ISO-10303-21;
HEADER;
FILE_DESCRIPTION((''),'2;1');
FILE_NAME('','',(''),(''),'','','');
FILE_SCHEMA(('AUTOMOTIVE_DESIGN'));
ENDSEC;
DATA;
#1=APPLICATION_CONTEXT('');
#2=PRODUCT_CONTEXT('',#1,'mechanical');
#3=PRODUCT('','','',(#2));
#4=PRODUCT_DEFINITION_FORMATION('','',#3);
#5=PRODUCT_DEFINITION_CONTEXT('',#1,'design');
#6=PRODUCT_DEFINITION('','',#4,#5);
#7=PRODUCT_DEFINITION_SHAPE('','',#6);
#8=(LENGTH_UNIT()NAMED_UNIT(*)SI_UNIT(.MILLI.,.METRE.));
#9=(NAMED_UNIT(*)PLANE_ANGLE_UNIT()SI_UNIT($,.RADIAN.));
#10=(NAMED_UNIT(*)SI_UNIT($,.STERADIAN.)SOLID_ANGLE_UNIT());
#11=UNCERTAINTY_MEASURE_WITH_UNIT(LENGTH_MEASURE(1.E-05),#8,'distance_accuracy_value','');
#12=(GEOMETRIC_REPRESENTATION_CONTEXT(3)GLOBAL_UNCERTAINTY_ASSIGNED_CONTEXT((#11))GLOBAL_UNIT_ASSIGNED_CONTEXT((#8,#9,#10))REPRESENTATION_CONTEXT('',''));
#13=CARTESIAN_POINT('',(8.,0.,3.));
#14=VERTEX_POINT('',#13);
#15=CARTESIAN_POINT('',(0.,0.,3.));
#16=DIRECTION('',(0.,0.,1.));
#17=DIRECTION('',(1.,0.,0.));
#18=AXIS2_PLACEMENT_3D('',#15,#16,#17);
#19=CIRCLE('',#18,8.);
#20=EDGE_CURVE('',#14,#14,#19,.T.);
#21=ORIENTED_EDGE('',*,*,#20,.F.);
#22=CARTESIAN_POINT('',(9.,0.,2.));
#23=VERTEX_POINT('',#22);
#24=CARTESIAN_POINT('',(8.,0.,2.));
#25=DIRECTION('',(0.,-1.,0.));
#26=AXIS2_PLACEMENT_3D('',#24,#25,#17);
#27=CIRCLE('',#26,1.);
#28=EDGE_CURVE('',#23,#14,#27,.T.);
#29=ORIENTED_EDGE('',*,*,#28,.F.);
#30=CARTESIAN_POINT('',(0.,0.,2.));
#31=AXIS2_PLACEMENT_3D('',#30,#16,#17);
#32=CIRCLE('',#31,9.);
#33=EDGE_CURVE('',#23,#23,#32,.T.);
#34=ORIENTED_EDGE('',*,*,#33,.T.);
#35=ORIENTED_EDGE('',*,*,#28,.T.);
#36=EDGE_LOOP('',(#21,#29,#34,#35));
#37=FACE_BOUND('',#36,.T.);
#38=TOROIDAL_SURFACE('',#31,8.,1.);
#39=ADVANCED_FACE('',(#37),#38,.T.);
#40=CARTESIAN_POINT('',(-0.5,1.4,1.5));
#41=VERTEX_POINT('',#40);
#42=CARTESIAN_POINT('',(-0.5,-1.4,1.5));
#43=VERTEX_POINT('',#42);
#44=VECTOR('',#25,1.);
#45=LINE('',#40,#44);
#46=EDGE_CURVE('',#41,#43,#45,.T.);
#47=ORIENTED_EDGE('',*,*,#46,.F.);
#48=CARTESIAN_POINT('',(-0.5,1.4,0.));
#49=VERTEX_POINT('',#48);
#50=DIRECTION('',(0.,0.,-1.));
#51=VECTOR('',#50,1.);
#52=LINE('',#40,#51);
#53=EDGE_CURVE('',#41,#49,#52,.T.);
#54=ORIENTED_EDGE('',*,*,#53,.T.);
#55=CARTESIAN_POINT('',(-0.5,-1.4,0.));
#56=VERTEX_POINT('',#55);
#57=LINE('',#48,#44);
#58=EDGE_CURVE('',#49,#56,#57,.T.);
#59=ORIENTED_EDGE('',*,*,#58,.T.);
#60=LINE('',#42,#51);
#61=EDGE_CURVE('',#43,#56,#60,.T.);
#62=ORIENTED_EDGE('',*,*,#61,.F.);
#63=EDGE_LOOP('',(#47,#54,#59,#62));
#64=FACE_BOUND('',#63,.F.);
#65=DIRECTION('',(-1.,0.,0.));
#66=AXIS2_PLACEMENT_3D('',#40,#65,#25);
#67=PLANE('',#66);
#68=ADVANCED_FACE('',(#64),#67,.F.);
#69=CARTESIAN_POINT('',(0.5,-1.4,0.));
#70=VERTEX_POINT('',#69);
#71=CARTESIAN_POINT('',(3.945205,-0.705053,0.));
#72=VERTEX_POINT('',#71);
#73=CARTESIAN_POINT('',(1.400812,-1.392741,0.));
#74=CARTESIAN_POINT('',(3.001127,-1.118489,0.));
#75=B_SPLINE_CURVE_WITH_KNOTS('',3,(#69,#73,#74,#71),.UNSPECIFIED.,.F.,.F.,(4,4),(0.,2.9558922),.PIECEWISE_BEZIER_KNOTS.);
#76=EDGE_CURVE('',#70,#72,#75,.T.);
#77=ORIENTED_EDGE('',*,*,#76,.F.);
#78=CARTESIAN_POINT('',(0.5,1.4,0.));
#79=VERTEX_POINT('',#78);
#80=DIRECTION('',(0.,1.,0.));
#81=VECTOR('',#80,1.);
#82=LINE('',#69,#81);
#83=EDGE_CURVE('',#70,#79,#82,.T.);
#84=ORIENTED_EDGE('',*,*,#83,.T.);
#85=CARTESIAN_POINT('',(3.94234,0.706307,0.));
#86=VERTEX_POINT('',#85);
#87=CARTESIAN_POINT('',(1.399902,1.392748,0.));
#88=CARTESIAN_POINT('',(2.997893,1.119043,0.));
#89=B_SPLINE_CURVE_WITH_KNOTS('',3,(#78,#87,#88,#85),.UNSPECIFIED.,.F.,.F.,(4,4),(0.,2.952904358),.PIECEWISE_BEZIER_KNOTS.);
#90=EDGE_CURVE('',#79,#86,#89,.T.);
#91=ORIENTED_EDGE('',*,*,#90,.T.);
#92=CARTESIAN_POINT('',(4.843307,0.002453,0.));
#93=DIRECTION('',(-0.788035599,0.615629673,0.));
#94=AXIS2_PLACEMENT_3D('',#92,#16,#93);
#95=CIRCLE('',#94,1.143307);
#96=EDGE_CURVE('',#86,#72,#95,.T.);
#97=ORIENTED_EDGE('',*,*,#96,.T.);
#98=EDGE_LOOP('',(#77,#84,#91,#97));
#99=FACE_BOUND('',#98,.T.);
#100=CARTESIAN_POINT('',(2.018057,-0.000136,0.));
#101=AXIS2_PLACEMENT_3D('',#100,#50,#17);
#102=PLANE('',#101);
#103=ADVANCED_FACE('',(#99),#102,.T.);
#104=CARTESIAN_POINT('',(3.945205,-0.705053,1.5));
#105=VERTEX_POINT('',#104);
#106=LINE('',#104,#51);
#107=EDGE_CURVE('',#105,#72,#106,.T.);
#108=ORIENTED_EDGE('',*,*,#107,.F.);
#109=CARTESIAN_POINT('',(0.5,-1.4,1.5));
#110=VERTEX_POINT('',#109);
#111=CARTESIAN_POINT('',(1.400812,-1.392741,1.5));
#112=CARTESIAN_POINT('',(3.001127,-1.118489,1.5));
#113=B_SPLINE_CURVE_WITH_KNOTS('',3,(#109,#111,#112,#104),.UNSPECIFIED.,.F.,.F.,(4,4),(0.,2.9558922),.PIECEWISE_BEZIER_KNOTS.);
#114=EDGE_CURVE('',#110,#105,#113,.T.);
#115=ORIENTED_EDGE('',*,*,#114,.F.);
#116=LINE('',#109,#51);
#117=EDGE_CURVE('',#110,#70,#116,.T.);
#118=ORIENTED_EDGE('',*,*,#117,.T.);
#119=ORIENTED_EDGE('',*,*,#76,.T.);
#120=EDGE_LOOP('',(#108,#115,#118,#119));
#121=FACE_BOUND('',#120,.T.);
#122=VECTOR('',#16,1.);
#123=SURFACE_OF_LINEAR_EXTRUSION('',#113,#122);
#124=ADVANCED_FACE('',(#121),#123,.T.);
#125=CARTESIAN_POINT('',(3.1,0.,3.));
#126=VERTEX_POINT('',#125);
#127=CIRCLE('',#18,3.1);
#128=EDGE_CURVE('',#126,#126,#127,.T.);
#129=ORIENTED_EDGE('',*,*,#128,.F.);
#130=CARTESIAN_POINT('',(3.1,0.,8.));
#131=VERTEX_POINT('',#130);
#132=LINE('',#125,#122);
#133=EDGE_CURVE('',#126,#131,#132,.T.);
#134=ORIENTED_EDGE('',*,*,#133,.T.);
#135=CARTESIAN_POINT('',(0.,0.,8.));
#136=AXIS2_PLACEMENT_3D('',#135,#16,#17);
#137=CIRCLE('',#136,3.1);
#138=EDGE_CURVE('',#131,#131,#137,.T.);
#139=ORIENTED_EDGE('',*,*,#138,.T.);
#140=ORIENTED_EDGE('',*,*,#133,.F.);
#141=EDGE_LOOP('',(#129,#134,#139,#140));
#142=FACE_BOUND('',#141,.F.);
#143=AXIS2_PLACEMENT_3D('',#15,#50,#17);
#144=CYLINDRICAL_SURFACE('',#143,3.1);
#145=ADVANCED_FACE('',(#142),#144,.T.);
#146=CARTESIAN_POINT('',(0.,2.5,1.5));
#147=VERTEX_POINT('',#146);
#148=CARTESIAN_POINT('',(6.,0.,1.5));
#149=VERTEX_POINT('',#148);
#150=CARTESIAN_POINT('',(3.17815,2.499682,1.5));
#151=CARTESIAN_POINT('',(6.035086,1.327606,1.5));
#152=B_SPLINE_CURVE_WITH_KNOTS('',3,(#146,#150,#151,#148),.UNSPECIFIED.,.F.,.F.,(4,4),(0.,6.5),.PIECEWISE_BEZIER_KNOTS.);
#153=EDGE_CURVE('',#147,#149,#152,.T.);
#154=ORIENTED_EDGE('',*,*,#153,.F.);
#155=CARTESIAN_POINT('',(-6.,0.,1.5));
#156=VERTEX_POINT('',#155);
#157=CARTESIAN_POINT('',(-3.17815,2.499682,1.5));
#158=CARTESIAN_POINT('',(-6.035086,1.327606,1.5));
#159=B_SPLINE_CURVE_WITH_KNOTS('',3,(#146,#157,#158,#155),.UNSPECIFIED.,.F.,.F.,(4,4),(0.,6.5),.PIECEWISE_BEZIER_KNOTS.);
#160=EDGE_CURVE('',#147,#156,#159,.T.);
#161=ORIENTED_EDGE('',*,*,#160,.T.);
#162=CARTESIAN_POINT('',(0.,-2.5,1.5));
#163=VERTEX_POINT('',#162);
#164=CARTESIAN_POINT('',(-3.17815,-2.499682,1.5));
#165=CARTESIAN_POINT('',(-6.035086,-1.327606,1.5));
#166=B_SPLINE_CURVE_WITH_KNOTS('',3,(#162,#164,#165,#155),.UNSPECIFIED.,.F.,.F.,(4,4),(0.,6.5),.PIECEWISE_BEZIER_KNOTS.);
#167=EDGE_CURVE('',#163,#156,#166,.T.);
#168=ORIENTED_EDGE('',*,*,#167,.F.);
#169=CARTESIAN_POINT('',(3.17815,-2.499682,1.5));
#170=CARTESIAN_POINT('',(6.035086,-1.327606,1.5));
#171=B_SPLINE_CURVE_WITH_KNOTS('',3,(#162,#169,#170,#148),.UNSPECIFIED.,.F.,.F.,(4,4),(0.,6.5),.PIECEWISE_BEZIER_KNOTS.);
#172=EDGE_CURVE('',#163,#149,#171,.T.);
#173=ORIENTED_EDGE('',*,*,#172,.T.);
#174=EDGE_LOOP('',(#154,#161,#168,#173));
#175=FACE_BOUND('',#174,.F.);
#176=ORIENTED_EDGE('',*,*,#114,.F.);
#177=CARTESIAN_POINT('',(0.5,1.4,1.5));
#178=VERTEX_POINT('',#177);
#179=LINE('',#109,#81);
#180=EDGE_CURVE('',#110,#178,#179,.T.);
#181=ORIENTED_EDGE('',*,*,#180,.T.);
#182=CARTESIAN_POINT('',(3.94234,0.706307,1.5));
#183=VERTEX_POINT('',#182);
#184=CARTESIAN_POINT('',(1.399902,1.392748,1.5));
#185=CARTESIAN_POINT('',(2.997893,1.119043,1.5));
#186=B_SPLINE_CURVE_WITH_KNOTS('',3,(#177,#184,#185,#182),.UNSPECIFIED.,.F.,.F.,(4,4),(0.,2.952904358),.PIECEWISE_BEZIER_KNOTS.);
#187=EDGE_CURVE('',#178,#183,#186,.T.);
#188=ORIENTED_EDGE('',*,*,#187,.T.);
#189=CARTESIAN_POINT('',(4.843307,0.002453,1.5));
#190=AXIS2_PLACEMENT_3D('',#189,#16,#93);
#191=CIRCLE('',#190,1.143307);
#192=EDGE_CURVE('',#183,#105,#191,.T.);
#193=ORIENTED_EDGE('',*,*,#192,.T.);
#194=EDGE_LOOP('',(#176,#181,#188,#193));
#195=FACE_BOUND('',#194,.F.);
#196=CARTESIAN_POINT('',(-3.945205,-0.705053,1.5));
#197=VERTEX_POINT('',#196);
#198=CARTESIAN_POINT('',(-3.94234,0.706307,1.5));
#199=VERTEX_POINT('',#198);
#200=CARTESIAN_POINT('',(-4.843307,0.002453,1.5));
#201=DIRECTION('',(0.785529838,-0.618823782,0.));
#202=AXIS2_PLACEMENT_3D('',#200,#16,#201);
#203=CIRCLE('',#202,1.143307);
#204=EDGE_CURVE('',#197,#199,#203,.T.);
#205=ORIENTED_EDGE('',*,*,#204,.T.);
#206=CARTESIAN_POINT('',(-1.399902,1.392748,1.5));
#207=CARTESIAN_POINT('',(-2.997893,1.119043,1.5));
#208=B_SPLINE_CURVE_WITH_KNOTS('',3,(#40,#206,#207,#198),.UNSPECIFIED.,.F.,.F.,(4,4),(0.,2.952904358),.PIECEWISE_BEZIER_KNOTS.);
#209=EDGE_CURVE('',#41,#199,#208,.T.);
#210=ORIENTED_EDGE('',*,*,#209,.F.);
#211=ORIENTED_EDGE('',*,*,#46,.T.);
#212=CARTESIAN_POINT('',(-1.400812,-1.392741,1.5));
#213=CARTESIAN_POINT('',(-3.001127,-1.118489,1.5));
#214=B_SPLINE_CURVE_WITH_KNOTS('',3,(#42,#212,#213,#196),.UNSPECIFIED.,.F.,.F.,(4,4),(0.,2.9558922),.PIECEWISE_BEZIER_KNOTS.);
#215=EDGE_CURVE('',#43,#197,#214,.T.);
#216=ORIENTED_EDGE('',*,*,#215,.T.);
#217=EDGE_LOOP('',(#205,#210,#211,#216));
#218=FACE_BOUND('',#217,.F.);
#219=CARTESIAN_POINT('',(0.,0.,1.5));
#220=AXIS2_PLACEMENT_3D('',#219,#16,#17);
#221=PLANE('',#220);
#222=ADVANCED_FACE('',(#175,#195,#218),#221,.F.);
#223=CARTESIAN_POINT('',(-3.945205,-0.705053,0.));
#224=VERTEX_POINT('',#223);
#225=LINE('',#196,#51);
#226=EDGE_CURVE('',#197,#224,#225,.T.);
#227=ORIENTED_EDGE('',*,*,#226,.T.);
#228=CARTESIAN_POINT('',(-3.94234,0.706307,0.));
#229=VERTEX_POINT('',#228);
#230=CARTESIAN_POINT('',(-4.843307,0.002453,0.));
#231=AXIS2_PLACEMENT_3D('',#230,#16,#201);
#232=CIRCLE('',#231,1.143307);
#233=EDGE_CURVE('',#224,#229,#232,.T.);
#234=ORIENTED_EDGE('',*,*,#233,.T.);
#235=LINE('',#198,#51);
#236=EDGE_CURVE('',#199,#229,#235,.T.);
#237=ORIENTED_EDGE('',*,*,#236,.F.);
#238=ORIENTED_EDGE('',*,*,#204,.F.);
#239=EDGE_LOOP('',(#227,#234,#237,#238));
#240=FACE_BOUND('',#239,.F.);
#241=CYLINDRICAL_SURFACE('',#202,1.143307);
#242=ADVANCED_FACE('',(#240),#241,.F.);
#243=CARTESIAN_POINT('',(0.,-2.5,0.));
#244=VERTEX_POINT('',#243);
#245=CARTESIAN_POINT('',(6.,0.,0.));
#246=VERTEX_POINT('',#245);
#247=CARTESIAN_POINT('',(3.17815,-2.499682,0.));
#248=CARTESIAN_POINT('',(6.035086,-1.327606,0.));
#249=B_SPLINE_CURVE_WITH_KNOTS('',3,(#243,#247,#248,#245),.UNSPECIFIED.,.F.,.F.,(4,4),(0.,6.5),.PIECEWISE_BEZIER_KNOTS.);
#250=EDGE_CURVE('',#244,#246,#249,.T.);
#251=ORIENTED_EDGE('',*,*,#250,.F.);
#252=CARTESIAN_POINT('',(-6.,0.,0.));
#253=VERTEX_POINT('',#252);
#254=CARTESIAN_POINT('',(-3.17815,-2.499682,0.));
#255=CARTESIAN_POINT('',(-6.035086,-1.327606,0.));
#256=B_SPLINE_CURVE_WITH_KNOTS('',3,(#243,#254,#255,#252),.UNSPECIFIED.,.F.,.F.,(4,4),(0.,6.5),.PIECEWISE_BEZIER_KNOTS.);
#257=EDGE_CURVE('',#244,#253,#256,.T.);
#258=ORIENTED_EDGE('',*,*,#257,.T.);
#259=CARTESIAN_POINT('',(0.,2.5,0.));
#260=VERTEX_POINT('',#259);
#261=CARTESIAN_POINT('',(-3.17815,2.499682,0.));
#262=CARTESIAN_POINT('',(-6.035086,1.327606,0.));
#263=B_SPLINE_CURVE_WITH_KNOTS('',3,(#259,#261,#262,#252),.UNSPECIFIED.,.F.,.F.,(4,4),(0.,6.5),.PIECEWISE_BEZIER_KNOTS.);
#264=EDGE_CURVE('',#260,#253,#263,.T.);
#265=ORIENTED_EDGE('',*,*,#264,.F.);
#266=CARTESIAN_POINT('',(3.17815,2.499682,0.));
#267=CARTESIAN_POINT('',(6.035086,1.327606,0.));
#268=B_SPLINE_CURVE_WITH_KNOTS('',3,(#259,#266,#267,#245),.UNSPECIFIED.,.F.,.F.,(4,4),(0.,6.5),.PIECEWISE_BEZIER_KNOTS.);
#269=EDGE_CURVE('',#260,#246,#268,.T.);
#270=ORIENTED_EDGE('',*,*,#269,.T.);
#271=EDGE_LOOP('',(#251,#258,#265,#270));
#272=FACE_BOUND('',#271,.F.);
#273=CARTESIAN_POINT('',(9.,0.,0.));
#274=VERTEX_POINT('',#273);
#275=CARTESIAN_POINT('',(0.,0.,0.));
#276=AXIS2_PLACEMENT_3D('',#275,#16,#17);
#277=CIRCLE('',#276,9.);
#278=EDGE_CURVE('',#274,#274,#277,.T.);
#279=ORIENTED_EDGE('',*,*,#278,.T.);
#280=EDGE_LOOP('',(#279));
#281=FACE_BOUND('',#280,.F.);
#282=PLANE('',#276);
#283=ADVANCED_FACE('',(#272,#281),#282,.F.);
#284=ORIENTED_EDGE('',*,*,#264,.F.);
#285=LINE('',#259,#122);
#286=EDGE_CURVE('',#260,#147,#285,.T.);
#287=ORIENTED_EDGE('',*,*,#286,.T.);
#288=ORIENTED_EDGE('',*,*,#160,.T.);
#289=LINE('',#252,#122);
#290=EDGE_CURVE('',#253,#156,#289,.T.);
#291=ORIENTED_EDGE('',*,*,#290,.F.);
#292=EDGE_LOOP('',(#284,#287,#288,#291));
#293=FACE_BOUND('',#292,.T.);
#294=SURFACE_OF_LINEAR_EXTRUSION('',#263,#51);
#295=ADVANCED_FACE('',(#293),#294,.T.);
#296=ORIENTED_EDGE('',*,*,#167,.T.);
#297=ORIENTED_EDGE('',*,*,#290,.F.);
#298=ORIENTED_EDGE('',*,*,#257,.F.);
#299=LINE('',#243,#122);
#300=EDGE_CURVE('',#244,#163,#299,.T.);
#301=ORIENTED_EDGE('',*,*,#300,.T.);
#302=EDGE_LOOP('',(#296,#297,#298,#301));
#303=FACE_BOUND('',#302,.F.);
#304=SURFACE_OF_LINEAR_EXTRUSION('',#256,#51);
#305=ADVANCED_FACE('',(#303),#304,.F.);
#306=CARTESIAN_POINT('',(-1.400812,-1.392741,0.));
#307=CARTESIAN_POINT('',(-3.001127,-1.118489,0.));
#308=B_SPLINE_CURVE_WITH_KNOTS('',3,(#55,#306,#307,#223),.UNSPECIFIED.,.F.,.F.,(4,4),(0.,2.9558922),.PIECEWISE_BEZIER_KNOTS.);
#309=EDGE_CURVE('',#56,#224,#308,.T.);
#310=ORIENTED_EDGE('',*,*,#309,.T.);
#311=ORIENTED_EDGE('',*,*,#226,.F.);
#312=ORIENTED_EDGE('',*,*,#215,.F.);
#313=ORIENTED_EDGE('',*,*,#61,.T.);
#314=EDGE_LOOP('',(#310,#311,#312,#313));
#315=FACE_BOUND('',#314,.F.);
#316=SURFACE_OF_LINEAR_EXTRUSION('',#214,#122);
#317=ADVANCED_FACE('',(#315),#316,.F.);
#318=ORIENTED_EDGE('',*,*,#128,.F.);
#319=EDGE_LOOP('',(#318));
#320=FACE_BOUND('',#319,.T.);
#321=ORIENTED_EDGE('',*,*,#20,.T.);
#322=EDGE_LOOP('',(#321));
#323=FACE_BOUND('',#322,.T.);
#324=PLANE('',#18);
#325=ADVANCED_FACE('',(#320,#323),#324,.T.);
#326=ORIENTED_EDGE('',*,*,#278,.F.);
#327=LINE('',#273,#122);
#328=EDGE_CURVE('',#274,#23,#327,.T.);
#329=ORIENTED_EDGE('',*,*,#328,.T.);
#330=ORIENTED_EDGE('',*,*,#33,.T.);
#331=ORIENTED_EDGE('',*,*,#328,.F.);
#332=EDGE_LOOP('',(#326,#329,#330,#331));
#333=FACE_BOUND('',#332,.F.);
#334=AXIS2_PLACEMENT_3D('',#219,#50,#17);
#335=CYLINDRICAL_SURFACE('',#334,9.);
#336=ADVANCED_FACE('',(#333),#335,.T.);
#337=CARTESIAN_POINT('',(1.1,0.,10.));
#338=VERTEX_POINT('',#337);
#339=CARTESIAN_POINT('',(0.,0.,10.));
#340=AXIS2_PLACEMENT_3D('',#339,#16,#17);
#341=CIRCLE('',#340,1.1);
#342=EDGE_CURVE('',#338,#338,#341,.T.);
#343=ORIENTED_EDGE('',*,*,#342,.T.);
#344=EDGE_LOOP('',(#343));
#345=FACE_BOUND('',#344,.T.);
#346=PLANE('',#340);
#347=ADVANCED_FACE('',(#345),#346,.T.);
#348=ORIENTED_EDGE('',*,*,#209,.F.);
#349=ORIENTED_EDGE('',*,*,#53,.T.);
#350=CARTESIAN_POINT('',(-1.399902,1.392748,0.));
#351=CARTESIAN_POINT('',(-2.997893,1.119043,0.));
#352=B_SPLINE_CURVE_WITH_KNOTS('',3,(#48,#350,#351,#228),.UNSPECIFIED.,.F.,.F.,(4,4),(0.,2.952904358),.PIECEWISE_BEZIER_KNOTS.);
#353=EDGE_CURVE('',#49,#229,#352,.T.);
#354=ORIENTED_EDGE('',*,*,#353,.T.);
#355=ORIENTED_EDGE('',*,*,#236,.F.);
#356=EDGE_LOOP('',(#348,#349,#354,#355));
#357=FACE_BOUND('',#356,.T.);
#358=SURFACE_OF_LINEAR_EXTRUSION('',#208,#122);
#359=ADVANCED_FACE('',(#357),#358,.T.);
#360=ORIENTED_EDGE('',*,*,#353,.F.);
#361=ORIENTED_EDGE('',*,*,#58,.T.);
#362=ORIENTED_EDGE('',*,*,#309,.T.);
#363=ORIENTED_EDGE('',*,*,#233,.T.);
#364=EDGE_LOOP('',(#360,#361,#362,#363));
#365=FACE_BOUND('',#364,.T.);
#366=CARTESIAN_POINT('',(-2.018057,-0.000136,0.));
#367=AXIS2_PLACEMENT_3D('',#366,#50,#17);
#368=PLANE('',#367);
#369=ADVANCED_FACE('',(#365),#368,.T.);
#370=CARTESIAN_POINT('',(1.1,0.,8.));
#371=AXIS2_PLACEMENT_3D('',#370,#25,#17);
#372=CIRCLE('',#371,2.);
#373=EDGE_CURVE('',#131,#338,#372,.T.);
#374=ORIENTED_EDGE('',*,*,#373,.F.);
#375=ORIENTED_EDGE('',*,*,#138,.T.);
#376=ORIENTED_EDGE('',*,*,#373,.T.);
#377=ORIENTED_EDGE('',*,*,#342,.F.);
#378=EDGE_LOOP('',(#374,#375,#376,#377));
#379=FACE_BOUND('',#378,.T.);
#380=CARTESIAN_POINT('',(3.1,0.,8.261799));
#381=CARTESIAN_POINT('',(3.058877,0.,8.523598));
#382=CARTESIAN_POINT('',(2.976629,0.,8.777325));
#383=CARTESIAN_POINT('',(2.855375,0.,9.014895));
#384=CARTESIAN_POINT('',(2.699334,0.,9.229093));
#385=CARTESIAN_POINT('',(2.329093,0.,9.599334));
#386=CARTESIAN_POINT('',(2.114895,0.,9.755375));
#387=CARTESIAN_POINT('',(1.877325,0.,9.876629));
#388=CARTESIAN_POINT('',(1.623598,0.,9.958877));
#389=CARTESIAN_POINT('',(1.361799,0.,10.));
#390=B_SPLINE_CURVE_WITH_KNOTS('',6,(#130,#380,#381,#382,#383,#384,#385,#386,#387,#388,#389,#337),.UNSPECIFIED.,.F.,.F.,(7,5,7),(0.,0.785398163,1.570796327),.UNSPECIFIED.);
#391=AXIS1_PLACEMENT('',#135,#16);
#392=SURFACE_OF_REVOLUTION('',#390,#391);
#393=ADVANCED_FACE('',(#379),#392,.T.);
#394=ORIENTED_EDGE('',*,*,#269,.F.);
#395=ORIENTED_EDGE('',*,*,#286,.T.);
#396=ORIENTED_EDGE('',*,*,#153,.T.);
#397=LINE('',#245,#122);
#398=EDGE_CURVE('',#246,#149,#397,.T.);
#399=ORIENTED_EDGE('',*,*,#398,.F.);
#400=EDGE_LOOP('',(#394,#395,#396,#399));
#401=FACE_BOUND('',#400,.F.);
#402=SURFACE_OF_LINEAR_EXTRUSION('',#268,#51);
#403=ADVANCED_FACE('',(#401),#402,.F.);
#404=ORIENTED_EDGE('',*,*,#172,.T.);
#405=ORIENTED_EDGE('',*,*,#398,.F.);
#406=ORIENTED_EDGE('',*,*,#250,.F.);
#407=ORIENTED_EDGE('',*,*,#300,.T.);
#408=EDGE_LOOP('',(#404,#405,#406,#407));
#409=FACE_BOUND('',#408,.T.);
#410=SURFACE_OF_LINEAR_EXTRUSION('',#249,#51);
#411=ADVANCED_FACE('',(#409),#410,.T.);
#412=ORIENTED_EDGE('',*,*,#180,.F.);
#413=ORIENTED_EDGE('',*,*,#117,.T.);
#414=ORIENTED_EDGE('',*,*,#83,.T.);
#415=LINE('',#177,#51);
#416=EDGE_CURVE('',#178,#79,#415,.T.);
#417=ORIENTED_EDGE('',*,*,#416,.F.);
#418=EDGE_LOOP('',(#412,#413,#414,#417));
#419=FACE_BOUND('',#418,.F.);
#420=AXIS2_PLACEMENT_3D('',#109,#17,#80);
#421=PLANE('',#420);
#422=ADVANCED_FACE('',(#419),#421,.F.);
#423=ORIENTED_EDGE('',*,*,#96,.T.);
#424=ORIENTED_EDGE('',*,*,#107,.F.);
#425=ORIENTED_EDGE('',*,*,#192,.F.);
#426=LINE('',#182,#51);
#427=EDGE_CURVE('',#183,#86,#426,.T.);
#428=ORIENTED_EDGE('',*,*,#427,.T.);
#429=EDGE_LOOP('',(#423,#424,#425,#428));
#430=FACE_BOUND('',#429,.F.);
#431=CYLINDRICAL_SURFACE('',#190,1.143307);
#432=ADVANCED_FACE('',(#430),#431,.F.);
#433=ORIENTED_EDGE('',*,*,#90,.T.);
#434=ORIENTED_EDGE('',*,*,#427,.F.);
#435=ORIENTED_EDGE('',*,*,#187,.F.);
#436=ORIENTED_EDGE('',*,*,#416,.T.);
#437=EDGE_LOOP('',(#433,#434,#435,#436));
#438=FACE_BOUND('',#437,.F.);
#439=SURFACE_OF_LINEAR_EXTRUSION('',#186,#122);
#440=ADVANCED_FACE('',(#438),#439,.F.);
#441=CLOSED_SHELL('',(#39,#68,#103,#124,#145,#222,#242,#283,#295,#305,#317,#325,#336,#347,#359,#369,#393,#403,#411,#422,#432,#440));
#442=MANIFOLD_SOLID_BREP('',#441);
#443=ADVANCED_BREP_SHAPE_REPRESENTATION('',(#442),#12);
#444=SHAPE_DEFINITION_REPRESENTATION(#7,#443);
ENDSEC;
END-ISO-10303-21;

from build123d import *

# Parameters (mm, degrees)
F0_R     = 9
F1_DEPTH = 1.5
F2_R     = 9
F3_DEPTH = 1.5
F4_R     = 1
F5_R     = 3.1
F6_DEPTH = 7
F7_R     = 2
F9_DEPTH = 1.5


with BuildPart() as f1:
    # F0 (on Top) → F1 (new body)
    with BuildSketch(Plane.XY):
        Circle(F0_R)
        with BuildLine():
            add(Edge.make_bspline(
                [(0, 2.5), (-3.1781503931, 2.4996818975), (-6.0350862332, 1.3276056852), (-6, 0)],
                knots=[0, 0, 0, 0, 6.5, 6.5, 6.5, 6.5], degree=3))
            add(Edge.make_bspline(
                [(0, 2.5), (3.1781503931, 2.4996818975), (6.0350862332, 1.3276056852), (6, 0)],
                knots=[0, 0, 0, 0, 6.5, 6.5, 6.5, 6.5], degree=3))
            add(Edge.make_bspline(
                [(0, -2.5), (3.1781503931, -2.4996818975), (6.0350862332, -1.3276056852), (6, 0)],
                knots=[0, 0, 0, 0, 6.5, 6.5, 6.5, 6.5], degree=3))
            add(Edge.make_bspline(
                [(0, -2.5), (-3.1781503931, -2.4996818975), (-6.0350862332, -1.3276056852), (-6, 0)],
                knots=[0, 0, 0, 0, 6.5, 6.5, 6.5, 6.5], degree=3))
        make_face(mode=Mode.SUBTRACT)
    extrude(amount=F1_DEPTH)

    # F2 (on face) → F3 (join)
    with BuildSketch(Plane.XY.offset(1.5)):
        Circle(F2_R)
    extrude(amount=F3_DEPTH)

    # F4
    f4_edges = [f1.edges().sort_by_distance(p)[0] for p in [
        (-9, 0, 3),
    ]]
    fillet(f4_edges, radius=F4_R)

    # F5 (on face) → F6 (join)
    with BuildSketch(Plane.XY.offset(3)):
        Circle(F5_R)
    extrude(amount=F6_DEPTH)

    # F7
    f7_edges = [f1.edges().sort_by_distance(p)[0] for p in [
        (-3.1, 0, 10),
    ]]
    fillet(f7_edges, radius=F7_R)

    # F8 (on face) → F9 (join, through all)
    with BuildSketch(Plane(origin=(0, 0, 1.5), x_dir=(1, 0, 0), z_dir=(0, 0, -1))):
        with BuildLine():
            Line((0.5, 1.4), (0.5, 0))
            Line((0.5, 0), (0.5, -1.4))
            add(Edge.make_bspline(
                [(0.5, -1.4), (1.399901815, -1.3927484774), (2.9978926484, -1.1190434343), (3.9423397845, -0.7063065555)],
                knots=[0, 0, 0, 0, 2.9529043584, 2.9529043584, 2.9529043584, 2.9529043584], degree=3))
            ThreePointArc((3.9423397845, -0.7063065555), (3.7000016629, -0.0001318249), (3.94520464, 0.705053268))
            add(Edge.make_bspline(
                [(0.5, 1.4), (1.400812364, 1.39274114), (3.0011271582, 1.1184892747), (3.94520464, 0.705053268)],
                knots=[0, 0, 0, 0, 2.9558922002, 2.9558922002, 2.9558922002, 2.9558922002], degree=3))
        make_face()
        with BuildLine():
            Line((-0.5, 0), (-0.5, 1.4))
            add(Edge.make_bspline(
                [(-0.5, 1.4), (-1.400812364, 1.39274114), (-3.0011271582, 1.1184892747), (-3.94520464, 0.705053268)],
                knots=[0, 0, 0, 0, 2.9558922002, 2.9558922002, 2.9558922002, 2.9558922002], degree=3))
            ThreePointArc((-3.94520464, 0.705053268), (-3.7000016629, -0.0001318249), (-3.9423397845, -0.7063065555))
            add(Edge.make_bspline(
                [(-0.5, -1.4), (-1.399901815, -1.3927484774), (-2.9978926484, -1.1190434343), (-3.9423397845, -0.7063065555)],
                knots=[0, 0, 0, 0, 2.9529043584, 2.9529043584, 2.9529043584, 2.9529043584], degree=3))
            Line((-0.5, -1.4), (-0.5, 0))
        make_face()
    extrude(amount=F9_DEPTH)


solid = f1.part
